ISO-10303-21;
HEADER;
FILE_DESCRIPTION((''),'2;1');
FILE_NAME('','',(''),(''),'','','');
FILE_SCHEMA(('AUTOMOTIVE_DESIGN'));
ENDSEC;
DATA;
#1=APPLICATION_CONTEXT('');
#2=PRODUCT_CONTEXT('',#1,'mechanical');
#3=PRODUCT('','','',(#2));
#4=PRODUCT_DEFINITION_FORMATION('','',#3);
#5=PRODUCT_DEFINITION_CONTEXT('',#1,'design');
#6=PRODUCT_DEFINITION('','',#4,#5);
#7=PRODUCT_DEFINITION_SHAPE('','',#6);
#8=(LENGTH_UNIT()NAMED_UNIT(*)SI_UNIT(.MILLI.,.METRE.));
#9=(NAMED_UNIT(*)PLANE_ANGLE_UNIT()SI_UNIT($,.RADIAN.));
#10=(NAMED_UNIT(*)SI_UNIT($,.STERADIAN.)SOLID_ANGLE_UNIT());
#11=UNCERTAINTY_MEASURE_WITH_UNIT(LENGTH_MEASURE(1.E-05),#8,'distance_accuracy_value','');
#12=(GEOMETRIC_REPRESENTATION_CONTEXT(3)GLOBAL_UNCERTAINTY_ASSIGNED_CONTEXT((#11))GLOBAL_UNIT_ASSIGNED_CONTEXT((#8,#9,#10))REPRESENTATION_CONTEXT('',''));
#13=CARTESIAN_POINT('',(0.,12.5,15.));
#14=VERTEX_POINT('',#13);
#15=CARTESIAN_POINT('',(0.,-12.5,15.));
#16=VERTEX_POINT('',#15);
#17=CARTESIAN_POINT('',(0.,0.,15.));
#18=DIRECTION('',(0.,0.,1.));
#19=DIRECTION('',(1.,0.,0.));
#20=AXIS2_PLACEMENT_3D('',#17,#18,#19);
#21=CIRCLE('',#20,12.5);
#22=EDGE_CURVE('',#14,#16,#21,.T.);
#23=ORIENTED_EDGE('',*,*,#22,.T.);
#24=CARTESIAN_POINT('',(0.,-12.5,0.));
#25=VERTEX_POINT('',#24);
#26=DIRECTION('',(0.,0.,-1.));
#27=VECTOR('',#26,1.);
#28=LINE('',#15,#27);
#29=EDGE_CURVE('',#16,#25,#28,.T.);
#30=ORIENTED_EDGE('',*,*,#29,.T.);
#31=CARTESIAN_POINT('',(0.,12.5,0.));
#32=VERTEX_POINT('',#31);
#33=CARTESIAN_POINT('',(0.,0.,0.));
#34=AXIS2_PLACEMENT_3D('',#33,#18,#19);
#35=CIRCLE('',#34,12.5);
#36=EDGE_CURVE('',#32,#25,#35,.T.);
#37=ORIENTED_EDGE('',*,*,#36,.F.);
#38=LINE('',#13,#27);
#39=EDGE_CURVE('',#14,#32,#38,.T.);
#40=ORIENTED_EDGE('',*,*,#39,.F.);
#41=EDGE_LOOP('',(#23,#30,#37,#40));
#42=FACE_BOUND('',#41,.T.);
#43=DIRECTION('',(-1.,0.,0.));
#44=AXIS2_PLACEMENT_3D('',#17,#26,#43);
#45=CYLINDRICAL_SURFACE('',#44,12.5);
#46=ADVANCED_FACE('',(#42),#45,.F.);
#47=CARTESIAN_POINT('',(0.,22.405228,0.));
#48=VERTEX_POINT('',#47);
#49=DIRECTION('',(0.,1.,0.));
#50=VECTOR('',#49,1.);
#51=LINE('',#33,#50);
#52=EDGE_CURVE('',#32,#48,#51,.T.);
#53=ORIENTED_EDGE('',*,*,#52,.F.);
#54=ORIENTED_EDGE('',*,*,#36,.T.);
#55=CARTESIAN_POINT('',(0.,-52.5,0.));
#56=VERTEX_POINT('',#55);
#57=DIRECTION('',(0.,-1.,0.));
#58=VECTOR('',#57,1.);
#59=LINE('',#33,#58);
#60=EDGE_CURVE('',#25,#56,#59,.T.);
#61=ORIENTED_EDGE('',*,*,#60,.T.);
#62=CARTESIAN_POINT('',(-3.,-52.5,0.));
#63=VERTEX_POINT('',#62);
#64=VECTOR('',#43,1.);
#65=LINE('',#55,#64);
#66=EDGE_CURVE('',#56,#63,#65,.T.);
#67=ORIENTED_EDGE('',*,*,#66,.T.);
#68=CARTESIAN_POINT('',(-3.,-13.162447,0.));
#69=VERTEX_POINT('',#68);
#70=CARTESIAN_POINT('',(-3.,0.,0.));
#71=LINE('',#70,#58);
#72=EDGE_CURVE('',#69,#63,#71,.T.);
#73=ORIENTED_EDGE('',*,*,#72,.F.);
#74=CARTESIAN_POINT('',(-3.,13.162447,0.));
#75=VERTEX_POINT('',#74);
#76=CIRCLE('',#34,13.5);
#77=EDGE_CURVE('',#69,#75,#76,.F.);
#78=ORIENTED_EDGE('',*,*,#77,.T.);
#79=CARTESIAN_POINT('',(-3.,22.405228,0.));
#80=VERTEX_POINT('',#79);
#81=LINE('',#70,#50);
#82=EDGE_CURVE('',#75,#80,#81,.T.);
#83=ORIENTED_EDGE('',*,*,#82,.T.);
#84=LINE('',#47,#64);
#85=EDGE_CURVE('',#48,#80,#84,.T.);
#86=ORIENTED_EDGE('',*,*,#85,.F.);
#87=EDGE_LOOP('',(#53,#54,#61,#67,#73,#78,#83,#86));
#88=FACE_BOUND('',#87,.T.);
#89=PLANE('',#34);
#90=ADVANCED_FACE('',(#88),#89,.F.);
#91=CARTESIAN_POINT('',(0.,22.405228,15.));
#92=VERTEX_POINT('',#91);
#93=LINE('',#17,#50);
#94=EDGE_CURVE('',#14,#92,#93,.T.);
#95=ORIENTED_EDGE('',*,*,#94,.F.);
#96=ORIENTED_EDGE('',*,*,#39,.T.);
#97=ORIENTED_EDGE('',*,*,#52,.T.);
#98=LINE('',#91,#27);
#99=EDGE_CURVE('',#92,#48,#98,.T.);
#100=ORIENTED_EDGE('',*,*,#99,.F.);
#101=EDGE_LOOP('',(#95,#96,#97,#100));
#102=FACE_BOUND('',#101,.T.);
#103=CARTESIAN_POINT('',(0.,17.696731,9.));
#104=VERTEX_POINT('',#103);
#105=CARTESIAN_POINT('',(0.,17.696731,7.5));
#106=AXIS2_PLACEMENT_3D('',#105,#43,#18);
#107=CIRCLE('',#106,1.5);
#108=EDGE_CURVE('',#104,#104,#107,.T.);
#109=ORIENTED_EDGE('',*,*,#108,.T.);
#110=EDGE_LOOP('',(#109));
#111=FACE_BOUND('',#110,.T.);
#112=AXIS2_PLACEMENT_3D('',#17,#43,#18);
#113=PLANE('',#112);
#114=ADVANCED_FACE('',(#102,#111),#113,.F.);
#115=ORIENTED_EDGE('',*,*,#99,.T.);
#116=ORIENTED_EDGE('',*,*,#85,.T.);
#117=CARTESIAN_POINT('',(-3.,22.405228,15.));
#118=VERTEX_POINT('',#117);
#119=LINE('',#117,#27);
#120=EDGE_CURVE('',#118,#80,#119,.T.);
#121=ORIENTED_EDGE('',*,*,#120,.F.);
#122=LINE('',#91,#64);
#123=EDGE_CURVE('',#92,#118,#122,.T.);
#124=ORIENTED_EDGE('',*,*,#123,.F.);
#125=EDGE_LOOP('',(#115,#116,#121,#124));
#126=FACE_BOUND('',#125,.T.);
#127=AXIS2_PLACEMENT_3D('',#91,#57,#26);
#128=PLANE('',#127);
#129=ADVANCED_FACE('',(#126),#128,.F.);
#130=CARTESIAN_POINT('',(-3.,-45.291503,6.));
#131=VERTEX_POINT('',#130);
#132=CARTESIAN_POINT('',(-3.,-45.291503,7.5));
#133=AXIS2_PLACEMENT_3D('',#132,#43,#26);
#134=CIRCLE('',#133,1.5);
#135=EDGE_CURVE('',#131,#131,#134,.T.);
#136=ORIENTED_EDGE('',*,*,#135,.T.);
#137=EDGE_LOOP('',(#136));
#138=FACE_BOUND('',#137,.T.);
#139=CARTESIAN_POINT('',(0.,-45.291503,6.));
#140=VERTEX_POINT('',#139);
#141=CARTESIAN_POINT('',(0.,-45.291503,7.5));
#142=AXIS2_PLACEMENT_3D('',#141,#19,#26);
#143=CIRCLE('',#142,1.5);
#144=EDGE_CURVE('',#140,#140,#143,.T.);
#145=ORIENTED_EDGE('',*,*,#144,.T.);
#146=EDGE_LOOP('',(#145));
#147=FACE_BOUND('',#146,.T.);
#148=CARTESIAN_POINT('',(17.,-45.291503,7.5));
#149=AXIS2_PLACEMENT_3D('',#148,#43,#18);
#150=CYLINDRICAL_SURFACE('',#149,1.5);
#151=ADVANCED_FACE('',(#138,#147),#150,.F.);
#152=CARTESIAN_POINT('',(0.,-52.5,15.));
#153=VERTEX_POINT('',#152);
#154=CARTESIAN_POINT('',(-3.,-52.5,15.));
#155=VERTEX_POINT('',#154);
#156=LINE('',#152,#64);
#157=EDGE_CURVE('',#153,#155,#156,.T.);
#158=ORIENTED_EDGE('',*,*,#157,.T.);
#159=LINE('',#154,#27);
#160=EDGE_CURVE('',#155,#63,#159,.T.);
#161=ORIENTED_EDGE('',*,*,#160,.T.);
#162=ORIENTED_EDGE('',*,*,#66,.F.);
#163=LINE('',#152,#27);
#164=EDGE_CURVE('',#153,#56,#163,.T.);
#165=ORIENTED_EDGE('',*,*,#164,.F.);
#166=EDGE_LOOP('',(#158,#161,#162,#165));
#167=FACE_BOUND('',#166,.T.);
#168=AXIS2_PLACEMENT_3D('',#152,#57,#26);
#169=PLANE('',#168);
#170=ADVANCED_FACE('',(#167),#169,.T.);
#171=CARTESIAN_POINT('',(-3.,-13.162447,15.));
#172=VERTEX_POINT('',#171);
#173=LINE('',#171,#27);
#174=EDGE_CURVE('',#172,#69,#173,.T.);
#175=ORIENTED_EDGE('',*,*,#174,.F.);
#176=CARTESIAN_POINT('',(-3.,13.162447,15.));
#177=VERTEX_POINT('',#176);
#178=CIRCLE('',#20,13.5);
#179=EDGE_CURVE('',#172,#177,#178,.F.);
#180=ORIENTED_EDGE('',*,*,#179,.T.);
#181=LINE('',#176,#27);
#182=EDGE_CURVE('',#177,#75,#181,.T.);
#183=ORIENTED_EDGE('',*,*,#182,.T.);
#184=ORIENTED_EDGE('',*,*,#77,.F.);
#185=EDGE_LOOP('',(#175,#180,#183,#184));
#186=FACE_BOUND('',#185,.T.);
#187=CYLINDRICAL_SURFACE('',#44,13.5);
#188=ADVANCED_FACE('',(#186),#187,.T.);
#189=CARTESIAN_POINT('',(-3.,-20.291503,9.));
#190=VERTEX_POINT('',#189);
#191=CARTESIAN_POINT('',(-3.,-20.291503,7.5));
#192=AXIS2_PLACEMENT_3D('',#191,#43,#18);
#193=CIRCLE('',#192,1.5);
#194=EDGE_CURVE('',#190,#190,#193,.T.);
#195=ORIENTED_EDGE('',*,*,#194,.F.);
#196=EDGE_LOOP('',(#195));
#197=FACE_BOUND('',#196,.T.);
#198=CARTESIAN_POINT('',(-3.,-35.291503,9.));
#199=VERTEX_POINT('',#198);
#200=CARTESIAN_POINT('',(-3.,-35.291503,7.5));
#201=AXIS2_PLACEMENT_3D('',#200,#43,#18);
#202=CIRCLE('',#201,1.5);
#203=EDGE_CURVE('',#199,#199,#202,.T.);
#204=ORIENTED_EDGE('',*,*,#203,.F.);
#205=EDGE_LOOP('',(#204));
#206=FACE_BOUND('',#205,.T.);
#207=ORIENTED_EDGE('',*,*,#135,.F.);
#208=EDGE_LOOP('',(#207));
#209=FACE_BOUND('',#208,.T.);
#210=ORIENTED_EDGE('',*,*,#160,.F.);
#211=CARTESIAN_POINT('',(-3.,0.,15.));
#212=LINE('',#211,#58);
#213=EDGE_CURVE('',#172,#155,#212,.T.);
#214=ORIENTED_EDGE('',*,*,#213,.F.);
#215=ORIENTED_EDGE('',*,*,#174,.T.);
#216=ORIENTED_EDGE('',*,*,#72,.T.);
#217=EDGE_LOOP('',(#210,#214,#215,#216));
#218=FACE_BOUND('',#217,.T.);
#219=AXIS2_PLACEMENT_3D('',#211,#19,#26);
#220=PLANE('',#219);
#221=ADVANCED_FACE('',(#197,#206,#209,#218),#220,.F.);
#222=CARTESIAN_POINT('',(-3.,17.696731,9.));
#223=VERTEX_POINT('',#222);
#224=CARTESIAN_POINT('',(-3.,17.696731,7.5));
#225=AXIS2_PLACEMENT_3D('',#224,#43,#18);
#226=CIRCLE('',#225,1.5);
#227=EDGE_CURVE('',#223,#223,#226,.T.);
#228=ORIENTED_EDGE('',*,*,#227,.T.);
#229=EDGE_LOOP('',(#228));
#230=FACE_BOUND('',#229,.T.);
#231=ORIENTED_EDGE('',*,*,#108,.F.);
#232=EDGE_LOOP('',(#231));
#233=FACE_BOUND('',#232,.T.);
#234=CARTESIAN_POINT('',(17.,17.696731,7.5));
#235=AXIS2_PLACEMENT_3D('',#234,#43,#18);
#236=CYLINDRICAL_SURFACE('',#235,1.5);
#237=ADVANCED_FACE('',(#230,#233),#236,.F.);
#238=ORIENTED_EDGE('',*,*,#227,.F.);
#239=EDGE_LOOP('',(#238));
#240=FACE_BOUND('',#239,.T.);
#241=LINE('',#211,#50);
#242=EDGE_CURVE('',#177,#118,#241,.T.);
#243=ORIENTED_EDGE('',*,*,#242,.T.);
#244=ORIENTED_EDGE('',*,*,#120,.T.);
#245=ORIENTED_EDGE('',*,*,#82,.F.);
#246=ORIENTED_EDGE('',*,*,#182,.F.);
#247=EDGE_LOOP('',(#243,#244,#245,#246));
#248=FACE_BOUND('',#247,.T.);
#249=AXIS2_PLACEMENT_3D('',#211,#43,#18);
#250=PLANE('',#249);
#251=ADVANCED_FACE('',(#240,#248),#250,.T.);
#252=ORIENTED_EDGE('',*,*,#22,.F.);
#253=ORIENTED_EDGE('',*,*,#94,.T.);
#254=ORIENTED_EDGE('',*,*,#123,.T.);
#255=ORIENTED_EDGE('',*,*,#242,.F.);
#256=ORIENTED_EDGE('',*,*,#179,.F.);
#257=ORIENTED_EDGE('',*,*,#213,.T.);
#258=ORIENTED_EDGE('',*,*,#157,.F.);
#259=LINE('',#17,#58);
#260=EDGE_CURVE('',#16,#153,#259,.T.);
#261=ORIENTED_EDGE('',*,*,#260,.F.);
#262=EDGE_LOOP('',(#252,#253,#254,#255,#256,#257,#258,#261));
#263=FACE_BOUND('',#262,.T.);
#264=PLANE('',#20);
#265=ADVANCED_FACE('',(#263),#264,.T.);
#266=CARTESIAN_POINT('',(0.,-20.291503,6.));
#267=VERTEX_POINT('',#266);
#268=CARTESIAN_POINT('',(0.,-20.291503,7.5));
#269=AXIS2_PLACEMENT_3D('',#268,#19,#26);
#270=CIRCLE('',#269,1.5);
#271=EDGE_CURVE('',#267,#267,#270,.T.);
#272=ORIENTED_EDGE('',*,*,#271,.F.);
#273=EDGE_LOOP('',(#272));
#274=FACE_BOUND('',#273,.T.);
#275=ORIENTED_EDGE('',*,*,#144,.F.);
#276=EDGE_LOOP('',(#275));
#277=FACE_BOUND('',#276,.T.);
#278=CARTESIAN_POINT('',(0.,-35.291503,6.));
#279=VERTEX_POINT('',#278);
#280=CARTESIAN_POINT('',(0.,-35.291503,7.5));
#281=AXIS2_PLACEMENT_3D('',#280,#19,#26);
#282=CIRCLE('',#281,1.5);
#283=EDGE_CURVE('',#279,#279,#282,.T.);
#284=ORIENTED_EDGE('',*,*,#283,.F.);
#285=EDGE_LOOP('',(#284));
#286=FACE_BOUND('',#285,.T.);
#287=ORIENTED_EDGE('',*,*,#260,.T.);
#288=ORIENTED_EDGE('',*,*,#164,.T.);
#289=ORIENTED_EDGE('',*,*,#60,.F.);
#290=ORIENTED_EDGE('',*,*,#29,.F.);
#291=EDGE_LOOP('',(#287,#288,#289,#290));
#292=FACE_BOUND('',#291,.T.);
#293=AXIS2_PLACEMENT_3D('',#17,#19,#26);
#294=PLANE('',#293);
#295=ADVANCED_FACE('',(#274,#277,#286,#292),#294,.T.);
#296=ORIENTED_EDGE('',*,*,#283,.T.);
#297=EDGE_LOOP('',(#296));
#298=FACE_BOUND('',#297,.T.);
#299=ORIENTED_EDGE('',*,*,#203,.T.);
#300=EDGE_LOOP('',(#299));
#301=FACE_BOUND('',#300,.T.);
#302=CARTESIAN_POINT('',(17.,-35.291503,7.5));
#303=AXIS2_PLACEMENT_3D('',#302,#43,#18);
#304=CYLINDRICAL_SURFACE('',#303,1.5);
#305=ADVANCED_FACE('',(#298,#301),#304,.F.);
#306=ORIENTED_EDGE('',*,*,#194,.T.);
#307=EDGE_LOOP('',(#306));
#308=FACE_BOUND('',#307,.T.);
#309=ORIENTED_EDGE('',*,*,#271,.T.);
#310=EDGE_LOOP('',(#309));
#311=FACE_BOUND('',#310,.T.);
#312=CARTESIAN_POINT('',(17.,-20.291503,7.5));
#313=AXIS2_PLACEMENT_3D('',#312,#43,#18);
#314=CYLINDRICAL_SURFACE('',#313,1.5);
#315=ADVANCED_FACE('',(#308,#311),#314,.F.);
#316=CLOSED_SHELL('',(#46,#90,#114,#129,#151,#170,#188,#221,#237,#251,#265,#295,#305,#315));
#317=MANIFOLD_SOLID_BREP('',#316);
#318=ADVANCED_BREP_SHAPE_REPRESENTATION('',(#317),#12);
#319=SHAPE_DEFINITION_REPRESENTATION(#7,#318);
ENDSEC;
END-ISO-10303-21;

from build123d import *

# Parameters (mm, degrees)
EXTRUDE_1_DEPTH     = 15
SKETCH_2_R          = 1.5
CUT_EXTRUDE_1_DEPTH = 20


with BuildPart() as part:
    # 草图1 → 凸台-拉伸1 (new body)
    with BuildSketch(Plane.XY):
        with BuildLine():
            Line((-3, 22.405228465), (-3, 13.162446581))
            ThreePointArc((-3, 13.162446581), (-10.55343546, 8.41872912), (-13.5, 0))
            ThreePointArc((-13.5, 0), (-10.55343546, -8.41872912), (-3, -13.162446581))
            Line((-3, -13.162446581), (-3, -52.5))
            Line((-3, -52.5), (0, -52.5))
            Line((0, -52.5), (0, -12.5))
            ThreePointArc((0, -12.5), (-12.5, 0), (0, 12.5))
            Line((0, 12.5), (0, 22.405228465))
            Line((0, 22.405228465), (-3, 22.405228465))
        make_face()
    extrude(amount=EXTRUDE_1_DEPTH)

    # 草图2 → 切除-拉伸1 (cut)
    with BuildSketch(Plane.ZY.offset(3)):
        with Locations((7.5, 17.696731087)):
            Circle(SKETCH_2_R)
        with Locations((7.5, -20.291502622)):
            Circle(SKETCH_2_R)
        with Locations((7.5, -35.291502622)):
            Circle(SKETCH_2_R)
        with Locations((7.5, -45.291502622)):
            Circle(SKETCH_2_R)
    extrude(amount=-CUT_EXTRUDE_1_DEPTH, mode=Mode.SUBTRACT)


solid = part.part
